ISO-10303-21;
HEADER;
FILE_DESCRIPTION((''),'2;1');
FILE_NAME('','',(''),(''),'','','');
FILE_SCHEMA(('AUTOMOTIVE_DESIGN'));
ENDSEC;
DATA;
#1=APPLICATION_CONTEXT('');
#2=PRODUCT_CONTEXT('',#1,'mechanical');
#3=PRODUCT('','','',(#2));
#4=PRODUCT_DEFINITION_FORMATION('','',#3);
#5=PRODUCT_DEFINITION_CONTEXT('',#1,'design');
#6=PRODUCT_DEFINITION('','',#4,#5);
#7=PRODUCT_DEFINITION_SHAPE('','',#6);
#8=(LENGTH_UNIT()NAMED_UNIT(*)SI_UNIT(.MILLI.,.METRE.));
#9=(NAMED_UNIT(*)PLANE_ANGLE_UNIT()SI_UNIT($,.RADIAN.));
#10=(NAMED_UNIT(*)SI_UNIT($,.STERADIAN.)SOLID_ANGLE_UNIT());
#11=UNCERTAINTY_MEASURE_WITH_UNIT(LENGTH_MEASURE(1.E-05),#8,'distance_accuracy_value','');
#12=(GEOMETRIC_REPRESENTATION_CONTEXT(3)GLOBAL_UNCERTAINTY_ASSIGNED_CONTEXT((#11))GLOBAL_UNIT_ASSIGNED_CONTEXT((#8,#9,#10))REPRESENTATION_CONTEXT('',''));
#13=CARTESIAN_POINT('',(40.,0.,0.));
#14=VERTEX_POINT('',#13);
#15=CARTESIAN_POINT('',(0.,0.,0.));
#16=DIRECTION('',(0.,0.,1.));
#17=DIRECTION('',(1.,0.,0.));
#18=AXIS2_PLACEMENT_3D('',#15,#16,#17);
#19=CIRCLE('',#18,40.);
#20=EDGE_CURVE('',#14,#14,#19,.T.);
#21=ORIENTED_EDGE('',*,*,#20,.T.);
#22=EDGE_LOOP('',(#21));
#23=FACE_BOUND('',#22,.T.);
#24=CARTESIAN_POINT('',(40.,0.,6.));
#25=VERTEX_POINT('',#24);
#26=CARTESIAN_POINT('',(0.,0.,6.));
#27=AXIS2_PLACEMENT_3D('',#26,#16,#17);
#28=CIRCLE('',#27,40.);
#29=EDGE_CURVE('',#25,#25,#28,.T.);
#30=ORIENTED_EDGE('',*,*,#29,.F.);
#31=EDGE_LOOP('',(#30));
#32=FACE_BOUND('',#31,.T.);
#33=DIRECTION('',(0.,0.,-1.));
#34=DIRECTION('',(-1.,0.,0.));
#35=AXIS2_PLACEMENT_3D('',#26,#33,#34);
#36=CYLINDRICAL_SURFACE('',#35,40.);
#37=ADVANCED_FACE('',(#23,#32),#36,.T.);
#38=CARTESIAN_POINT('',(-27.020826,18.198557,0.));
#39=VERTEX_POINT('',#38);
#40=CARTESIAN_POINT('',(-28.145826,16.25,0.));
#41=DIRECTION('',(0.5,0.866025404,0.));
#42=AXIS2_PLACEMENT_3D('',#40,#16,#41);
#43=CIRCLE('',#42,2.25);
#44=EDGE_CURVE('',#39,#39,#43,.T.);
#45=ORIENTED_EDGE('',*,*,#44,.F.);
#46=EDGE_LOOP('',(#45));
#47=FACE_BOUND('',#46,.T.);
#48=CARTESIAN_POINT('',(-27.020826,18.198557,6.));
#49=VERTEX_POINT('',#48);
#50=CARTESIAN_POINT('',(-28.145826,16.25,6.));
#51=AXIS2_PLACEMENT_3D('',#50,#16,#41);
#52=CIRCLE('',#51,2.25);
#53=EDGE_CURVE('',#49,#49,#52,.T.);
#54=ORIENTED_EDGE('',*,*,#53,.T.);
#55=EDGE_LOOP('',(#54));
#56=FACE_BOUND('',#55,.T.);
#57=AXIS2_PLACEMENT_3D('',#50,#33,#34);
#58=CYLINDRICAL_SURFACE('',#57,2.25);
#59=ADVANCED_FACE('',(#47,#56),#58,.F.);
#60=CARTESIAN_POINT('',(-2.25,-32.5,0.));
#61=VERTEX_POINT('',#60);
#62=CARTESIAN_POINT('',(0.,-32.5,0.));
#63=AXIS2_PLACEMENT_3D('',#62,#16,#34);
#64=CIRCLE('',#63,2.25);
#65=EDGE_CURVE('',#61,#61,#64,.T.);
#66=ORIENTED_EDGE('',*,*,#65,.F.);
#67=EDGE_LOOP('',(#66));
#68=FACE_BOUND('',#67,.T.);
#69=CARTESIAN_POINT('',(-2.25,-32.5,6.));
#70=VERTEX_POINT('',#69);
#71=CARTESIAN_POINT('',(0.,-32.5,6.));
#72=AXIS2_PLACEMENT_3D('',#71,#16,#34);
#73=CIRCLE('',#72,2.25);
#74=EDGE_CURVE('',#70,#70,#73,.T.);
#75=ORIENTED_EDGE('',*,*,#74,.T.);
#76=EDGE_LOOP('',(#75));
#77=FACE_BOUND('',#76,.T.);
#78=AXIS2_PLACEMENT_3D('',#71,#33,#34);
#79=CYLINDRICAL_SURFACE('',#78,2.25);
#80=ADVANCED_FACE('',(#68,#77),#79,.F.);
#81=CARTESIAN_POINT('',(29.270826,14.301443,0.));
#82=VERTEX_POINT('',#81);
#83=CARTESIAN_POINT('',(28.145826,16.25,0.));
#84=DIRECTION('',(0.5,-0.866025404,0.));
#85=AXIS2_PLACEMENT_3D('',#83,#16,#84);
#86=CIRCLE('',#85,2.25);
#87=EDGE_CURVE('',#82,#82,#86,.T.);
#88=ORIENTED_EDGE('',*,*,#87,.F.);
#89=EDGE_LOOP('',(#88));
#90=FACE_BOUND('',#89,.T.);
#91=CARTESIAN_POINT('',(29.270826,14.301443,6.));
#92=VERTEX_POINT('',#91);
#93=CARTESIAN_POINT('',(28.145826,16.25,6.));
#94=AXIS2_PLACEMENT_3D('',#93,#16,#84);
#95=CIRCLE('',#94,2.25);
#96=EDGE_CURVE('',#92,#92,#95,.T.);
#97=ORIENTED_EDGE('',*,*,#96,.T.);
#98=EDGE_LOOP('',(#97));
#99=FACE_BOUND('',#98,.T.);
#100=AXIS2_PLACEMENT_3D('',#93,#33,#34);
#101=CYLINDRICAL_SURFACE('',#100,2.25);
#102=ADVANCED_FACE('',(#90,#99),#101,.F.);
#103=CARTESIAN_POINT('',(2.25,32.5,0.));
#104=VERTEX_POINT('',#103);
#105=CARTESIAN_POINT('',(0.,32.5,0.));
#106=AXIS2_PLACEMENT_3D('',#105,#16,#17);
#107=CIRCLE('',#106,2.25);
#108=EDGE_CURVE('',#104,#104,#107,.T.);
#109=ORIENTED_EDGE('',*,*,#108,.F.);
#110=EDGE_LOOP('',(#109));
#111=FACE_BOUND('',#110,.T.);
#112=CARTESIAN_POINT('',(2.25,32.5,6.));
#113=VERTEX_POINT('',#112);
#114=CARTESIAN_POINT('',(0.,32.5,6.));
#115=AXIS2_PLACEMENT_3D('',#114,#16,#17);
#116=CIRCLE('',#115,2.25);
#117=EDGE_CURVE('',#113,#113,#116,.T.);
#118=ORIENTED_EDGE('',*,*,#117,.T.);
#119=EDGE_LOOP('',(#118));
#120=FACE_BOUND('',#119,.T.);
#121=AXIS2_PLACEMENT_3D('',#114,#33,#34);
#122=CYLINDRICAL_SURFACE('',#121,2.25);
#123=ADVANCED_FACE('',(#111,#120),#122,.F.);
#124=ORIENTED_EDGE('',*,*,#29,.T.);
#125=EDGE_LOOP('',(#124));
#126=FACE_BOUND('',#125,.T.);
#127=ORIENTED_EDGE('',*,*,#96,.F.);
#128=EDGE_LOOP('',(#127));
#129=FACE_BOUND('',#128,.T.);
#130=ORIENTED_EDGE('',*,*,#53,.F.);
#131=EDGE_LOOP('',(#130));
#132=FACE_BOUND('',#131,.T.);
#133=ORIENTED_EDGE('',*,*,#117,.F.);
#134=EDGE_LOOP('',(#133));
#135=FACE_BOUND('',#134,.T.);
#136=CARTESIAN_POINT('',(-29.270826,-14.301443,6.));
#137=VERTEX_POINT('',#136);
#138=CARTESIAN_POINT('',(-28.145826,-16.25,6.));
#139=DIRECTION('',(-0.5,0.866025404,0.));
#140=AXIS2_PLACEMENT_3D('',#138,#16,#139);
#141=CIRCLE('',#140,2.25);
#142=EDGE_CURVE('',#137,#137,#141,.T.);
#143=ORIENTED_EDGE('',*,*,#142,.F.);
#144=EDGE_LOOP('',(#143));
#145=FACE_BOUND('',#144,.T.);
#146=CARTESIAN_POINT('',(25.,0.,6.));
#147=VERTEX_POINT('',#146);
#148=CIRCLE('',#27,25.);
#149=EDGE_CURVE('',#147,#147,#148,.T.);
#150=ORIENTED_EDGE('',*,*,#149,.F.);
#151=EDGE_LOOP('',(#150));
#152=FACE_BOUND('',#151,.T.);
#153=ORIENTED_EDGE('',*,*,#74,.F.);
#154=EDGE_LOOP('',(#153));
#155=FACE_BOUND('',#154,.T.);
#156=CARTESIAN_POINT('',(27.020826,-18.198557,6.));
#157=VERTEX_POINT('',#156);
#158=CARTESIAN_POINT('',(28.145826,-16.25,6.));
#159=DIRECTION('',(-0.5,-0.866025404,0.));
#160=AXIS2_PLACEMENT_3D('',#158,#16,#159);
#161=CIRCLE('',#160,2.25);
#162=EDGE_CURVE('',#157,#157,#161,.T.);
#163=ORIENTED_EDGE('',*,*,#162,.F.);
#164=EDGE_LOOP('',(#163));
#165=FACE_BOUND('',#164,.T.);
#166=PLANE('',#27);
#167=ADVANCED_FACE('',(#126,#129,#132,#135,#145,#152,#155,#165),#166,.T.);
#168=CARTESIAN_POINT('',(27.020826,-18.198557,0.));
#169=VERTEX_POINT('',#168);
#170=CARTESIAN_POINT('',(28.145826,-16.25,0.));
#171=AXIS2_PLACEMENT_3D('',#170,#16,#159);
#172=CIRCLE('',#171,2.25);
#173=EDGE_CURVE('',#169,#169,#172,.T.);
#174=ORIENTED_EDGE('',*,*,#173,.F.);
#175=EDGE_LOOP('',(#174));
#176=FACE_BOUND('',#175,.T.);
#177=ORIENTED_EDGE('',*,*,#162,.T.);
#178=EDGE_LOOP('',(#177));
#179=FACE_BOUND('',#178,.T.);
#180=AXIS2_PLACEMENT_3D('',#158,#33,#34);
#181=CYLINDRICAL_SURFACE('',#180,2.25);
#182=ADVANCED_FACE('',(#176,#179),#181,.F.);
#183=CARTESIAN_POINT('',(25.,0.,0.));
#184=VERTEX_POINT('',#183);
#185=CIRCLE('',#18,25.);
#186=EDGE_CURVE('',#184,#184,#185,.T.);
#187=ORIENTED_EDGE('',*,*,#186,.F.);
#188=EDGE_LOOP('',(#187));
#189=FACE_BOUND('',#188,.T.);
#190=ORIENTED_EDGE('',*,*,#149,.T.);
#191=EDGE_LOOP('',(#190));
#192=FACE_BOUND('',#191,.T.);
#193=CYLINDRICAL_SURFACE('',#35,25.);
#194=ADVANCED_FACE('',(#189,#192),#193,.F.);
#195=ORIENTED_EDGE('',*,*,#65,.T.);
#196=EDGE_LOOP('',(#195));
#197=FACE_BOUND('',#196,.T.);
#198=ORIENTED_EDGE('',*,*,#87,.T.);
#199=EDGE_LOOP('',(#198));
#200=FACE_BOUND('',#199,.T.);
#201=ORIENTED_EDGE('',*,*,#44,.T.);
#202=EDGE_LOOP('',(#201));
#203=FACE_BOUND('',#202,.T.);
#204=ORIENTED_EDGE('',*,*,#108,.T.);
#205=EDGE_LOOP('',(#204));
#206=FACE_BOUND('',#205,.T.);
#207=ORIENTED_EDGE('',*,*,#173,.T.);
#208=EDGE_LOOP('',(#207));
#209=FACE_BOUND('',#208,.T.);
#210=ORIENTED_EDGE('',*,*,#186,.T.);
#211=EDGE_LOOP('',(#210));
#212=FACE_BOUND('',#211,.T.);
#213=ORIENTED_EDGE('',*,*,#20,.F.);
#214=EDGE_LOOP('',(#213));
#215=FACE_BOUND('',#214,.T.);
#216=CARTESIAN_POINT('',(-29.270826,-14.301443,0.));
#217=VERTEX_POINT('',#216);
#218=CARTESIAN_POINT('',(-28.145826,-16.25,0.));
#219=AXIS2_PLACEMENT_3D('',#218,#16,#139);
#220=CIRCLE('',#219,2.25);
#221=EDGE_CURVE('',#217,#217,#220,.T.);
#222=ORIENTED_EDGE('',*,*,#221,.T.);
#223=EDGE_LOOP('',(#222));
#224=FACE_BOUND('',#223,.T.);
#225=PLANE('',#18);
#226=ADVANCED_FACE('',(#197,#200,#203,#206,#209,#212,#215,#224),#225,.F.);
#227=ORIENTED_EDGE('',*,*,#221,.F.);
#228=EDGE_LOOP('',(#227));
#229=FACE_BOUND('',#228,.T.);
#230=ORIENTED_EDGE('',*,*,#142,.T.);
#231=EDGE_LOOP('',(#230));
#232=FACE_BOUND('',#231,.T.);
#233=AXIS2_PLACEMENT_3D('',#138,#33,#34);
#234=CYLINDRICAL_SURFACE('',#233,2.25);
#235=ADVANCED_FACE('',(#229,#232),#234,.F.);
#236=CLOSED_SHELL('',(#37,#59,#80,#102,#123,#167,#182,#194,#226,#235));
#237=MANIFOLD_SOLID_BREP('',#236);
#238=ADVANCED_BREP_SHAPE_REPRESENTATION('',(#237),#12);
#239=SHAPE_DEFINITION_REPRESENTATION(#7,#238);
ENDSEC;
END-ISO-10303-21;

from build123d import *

# Parameters (mm, degrees)
SKETCH1_R           = 40
SKETCH1_R_2         = 25
BOSS_EXTRUDE1_DEPTH = 6
SKETCH2_R           = 2.25
CUT_EXTRUDE1_DEPTH  = 57.885850613
CIRPATTERN1_COUNT   = 6


with BuildPart() as part:
    # Sketch1 → Boss-Extrude1 (new body)
    with BuildSketch(Plane.XY):
        Circle(SKETCH1_R)
        Circle(SKETCH1_R_2, mode=Mode.SUBTRACT)
    extrude(amount=BOSS_EXTRUDE1_DEPTH)

    # Sketch2 → Cut-Extrude1 (cut, through all)
    with BuildSketch(Plane.XY):
        with Locations((0, 32.5)):
            Circle(SKETCH2_R)
    cut_extrude1 = extrude(amount=CUT_EXTRUDE1_DEPTH, mode=Mode.SUBTRACT)

    # CirPattern1: Cut-Extrude1 ×6 about axis
    cirpattern1_axis = Axis((0, 0, 6), (0, 0, 1))
    for i in range(1, CIRPATTERN1_COUNT):
        add(cut_extrude1.rotate(cirpattern1_axis, i * 360 / CIRPATTERN1_COUNT), mode=Mode.SUBTRACT)


solid = part.part
